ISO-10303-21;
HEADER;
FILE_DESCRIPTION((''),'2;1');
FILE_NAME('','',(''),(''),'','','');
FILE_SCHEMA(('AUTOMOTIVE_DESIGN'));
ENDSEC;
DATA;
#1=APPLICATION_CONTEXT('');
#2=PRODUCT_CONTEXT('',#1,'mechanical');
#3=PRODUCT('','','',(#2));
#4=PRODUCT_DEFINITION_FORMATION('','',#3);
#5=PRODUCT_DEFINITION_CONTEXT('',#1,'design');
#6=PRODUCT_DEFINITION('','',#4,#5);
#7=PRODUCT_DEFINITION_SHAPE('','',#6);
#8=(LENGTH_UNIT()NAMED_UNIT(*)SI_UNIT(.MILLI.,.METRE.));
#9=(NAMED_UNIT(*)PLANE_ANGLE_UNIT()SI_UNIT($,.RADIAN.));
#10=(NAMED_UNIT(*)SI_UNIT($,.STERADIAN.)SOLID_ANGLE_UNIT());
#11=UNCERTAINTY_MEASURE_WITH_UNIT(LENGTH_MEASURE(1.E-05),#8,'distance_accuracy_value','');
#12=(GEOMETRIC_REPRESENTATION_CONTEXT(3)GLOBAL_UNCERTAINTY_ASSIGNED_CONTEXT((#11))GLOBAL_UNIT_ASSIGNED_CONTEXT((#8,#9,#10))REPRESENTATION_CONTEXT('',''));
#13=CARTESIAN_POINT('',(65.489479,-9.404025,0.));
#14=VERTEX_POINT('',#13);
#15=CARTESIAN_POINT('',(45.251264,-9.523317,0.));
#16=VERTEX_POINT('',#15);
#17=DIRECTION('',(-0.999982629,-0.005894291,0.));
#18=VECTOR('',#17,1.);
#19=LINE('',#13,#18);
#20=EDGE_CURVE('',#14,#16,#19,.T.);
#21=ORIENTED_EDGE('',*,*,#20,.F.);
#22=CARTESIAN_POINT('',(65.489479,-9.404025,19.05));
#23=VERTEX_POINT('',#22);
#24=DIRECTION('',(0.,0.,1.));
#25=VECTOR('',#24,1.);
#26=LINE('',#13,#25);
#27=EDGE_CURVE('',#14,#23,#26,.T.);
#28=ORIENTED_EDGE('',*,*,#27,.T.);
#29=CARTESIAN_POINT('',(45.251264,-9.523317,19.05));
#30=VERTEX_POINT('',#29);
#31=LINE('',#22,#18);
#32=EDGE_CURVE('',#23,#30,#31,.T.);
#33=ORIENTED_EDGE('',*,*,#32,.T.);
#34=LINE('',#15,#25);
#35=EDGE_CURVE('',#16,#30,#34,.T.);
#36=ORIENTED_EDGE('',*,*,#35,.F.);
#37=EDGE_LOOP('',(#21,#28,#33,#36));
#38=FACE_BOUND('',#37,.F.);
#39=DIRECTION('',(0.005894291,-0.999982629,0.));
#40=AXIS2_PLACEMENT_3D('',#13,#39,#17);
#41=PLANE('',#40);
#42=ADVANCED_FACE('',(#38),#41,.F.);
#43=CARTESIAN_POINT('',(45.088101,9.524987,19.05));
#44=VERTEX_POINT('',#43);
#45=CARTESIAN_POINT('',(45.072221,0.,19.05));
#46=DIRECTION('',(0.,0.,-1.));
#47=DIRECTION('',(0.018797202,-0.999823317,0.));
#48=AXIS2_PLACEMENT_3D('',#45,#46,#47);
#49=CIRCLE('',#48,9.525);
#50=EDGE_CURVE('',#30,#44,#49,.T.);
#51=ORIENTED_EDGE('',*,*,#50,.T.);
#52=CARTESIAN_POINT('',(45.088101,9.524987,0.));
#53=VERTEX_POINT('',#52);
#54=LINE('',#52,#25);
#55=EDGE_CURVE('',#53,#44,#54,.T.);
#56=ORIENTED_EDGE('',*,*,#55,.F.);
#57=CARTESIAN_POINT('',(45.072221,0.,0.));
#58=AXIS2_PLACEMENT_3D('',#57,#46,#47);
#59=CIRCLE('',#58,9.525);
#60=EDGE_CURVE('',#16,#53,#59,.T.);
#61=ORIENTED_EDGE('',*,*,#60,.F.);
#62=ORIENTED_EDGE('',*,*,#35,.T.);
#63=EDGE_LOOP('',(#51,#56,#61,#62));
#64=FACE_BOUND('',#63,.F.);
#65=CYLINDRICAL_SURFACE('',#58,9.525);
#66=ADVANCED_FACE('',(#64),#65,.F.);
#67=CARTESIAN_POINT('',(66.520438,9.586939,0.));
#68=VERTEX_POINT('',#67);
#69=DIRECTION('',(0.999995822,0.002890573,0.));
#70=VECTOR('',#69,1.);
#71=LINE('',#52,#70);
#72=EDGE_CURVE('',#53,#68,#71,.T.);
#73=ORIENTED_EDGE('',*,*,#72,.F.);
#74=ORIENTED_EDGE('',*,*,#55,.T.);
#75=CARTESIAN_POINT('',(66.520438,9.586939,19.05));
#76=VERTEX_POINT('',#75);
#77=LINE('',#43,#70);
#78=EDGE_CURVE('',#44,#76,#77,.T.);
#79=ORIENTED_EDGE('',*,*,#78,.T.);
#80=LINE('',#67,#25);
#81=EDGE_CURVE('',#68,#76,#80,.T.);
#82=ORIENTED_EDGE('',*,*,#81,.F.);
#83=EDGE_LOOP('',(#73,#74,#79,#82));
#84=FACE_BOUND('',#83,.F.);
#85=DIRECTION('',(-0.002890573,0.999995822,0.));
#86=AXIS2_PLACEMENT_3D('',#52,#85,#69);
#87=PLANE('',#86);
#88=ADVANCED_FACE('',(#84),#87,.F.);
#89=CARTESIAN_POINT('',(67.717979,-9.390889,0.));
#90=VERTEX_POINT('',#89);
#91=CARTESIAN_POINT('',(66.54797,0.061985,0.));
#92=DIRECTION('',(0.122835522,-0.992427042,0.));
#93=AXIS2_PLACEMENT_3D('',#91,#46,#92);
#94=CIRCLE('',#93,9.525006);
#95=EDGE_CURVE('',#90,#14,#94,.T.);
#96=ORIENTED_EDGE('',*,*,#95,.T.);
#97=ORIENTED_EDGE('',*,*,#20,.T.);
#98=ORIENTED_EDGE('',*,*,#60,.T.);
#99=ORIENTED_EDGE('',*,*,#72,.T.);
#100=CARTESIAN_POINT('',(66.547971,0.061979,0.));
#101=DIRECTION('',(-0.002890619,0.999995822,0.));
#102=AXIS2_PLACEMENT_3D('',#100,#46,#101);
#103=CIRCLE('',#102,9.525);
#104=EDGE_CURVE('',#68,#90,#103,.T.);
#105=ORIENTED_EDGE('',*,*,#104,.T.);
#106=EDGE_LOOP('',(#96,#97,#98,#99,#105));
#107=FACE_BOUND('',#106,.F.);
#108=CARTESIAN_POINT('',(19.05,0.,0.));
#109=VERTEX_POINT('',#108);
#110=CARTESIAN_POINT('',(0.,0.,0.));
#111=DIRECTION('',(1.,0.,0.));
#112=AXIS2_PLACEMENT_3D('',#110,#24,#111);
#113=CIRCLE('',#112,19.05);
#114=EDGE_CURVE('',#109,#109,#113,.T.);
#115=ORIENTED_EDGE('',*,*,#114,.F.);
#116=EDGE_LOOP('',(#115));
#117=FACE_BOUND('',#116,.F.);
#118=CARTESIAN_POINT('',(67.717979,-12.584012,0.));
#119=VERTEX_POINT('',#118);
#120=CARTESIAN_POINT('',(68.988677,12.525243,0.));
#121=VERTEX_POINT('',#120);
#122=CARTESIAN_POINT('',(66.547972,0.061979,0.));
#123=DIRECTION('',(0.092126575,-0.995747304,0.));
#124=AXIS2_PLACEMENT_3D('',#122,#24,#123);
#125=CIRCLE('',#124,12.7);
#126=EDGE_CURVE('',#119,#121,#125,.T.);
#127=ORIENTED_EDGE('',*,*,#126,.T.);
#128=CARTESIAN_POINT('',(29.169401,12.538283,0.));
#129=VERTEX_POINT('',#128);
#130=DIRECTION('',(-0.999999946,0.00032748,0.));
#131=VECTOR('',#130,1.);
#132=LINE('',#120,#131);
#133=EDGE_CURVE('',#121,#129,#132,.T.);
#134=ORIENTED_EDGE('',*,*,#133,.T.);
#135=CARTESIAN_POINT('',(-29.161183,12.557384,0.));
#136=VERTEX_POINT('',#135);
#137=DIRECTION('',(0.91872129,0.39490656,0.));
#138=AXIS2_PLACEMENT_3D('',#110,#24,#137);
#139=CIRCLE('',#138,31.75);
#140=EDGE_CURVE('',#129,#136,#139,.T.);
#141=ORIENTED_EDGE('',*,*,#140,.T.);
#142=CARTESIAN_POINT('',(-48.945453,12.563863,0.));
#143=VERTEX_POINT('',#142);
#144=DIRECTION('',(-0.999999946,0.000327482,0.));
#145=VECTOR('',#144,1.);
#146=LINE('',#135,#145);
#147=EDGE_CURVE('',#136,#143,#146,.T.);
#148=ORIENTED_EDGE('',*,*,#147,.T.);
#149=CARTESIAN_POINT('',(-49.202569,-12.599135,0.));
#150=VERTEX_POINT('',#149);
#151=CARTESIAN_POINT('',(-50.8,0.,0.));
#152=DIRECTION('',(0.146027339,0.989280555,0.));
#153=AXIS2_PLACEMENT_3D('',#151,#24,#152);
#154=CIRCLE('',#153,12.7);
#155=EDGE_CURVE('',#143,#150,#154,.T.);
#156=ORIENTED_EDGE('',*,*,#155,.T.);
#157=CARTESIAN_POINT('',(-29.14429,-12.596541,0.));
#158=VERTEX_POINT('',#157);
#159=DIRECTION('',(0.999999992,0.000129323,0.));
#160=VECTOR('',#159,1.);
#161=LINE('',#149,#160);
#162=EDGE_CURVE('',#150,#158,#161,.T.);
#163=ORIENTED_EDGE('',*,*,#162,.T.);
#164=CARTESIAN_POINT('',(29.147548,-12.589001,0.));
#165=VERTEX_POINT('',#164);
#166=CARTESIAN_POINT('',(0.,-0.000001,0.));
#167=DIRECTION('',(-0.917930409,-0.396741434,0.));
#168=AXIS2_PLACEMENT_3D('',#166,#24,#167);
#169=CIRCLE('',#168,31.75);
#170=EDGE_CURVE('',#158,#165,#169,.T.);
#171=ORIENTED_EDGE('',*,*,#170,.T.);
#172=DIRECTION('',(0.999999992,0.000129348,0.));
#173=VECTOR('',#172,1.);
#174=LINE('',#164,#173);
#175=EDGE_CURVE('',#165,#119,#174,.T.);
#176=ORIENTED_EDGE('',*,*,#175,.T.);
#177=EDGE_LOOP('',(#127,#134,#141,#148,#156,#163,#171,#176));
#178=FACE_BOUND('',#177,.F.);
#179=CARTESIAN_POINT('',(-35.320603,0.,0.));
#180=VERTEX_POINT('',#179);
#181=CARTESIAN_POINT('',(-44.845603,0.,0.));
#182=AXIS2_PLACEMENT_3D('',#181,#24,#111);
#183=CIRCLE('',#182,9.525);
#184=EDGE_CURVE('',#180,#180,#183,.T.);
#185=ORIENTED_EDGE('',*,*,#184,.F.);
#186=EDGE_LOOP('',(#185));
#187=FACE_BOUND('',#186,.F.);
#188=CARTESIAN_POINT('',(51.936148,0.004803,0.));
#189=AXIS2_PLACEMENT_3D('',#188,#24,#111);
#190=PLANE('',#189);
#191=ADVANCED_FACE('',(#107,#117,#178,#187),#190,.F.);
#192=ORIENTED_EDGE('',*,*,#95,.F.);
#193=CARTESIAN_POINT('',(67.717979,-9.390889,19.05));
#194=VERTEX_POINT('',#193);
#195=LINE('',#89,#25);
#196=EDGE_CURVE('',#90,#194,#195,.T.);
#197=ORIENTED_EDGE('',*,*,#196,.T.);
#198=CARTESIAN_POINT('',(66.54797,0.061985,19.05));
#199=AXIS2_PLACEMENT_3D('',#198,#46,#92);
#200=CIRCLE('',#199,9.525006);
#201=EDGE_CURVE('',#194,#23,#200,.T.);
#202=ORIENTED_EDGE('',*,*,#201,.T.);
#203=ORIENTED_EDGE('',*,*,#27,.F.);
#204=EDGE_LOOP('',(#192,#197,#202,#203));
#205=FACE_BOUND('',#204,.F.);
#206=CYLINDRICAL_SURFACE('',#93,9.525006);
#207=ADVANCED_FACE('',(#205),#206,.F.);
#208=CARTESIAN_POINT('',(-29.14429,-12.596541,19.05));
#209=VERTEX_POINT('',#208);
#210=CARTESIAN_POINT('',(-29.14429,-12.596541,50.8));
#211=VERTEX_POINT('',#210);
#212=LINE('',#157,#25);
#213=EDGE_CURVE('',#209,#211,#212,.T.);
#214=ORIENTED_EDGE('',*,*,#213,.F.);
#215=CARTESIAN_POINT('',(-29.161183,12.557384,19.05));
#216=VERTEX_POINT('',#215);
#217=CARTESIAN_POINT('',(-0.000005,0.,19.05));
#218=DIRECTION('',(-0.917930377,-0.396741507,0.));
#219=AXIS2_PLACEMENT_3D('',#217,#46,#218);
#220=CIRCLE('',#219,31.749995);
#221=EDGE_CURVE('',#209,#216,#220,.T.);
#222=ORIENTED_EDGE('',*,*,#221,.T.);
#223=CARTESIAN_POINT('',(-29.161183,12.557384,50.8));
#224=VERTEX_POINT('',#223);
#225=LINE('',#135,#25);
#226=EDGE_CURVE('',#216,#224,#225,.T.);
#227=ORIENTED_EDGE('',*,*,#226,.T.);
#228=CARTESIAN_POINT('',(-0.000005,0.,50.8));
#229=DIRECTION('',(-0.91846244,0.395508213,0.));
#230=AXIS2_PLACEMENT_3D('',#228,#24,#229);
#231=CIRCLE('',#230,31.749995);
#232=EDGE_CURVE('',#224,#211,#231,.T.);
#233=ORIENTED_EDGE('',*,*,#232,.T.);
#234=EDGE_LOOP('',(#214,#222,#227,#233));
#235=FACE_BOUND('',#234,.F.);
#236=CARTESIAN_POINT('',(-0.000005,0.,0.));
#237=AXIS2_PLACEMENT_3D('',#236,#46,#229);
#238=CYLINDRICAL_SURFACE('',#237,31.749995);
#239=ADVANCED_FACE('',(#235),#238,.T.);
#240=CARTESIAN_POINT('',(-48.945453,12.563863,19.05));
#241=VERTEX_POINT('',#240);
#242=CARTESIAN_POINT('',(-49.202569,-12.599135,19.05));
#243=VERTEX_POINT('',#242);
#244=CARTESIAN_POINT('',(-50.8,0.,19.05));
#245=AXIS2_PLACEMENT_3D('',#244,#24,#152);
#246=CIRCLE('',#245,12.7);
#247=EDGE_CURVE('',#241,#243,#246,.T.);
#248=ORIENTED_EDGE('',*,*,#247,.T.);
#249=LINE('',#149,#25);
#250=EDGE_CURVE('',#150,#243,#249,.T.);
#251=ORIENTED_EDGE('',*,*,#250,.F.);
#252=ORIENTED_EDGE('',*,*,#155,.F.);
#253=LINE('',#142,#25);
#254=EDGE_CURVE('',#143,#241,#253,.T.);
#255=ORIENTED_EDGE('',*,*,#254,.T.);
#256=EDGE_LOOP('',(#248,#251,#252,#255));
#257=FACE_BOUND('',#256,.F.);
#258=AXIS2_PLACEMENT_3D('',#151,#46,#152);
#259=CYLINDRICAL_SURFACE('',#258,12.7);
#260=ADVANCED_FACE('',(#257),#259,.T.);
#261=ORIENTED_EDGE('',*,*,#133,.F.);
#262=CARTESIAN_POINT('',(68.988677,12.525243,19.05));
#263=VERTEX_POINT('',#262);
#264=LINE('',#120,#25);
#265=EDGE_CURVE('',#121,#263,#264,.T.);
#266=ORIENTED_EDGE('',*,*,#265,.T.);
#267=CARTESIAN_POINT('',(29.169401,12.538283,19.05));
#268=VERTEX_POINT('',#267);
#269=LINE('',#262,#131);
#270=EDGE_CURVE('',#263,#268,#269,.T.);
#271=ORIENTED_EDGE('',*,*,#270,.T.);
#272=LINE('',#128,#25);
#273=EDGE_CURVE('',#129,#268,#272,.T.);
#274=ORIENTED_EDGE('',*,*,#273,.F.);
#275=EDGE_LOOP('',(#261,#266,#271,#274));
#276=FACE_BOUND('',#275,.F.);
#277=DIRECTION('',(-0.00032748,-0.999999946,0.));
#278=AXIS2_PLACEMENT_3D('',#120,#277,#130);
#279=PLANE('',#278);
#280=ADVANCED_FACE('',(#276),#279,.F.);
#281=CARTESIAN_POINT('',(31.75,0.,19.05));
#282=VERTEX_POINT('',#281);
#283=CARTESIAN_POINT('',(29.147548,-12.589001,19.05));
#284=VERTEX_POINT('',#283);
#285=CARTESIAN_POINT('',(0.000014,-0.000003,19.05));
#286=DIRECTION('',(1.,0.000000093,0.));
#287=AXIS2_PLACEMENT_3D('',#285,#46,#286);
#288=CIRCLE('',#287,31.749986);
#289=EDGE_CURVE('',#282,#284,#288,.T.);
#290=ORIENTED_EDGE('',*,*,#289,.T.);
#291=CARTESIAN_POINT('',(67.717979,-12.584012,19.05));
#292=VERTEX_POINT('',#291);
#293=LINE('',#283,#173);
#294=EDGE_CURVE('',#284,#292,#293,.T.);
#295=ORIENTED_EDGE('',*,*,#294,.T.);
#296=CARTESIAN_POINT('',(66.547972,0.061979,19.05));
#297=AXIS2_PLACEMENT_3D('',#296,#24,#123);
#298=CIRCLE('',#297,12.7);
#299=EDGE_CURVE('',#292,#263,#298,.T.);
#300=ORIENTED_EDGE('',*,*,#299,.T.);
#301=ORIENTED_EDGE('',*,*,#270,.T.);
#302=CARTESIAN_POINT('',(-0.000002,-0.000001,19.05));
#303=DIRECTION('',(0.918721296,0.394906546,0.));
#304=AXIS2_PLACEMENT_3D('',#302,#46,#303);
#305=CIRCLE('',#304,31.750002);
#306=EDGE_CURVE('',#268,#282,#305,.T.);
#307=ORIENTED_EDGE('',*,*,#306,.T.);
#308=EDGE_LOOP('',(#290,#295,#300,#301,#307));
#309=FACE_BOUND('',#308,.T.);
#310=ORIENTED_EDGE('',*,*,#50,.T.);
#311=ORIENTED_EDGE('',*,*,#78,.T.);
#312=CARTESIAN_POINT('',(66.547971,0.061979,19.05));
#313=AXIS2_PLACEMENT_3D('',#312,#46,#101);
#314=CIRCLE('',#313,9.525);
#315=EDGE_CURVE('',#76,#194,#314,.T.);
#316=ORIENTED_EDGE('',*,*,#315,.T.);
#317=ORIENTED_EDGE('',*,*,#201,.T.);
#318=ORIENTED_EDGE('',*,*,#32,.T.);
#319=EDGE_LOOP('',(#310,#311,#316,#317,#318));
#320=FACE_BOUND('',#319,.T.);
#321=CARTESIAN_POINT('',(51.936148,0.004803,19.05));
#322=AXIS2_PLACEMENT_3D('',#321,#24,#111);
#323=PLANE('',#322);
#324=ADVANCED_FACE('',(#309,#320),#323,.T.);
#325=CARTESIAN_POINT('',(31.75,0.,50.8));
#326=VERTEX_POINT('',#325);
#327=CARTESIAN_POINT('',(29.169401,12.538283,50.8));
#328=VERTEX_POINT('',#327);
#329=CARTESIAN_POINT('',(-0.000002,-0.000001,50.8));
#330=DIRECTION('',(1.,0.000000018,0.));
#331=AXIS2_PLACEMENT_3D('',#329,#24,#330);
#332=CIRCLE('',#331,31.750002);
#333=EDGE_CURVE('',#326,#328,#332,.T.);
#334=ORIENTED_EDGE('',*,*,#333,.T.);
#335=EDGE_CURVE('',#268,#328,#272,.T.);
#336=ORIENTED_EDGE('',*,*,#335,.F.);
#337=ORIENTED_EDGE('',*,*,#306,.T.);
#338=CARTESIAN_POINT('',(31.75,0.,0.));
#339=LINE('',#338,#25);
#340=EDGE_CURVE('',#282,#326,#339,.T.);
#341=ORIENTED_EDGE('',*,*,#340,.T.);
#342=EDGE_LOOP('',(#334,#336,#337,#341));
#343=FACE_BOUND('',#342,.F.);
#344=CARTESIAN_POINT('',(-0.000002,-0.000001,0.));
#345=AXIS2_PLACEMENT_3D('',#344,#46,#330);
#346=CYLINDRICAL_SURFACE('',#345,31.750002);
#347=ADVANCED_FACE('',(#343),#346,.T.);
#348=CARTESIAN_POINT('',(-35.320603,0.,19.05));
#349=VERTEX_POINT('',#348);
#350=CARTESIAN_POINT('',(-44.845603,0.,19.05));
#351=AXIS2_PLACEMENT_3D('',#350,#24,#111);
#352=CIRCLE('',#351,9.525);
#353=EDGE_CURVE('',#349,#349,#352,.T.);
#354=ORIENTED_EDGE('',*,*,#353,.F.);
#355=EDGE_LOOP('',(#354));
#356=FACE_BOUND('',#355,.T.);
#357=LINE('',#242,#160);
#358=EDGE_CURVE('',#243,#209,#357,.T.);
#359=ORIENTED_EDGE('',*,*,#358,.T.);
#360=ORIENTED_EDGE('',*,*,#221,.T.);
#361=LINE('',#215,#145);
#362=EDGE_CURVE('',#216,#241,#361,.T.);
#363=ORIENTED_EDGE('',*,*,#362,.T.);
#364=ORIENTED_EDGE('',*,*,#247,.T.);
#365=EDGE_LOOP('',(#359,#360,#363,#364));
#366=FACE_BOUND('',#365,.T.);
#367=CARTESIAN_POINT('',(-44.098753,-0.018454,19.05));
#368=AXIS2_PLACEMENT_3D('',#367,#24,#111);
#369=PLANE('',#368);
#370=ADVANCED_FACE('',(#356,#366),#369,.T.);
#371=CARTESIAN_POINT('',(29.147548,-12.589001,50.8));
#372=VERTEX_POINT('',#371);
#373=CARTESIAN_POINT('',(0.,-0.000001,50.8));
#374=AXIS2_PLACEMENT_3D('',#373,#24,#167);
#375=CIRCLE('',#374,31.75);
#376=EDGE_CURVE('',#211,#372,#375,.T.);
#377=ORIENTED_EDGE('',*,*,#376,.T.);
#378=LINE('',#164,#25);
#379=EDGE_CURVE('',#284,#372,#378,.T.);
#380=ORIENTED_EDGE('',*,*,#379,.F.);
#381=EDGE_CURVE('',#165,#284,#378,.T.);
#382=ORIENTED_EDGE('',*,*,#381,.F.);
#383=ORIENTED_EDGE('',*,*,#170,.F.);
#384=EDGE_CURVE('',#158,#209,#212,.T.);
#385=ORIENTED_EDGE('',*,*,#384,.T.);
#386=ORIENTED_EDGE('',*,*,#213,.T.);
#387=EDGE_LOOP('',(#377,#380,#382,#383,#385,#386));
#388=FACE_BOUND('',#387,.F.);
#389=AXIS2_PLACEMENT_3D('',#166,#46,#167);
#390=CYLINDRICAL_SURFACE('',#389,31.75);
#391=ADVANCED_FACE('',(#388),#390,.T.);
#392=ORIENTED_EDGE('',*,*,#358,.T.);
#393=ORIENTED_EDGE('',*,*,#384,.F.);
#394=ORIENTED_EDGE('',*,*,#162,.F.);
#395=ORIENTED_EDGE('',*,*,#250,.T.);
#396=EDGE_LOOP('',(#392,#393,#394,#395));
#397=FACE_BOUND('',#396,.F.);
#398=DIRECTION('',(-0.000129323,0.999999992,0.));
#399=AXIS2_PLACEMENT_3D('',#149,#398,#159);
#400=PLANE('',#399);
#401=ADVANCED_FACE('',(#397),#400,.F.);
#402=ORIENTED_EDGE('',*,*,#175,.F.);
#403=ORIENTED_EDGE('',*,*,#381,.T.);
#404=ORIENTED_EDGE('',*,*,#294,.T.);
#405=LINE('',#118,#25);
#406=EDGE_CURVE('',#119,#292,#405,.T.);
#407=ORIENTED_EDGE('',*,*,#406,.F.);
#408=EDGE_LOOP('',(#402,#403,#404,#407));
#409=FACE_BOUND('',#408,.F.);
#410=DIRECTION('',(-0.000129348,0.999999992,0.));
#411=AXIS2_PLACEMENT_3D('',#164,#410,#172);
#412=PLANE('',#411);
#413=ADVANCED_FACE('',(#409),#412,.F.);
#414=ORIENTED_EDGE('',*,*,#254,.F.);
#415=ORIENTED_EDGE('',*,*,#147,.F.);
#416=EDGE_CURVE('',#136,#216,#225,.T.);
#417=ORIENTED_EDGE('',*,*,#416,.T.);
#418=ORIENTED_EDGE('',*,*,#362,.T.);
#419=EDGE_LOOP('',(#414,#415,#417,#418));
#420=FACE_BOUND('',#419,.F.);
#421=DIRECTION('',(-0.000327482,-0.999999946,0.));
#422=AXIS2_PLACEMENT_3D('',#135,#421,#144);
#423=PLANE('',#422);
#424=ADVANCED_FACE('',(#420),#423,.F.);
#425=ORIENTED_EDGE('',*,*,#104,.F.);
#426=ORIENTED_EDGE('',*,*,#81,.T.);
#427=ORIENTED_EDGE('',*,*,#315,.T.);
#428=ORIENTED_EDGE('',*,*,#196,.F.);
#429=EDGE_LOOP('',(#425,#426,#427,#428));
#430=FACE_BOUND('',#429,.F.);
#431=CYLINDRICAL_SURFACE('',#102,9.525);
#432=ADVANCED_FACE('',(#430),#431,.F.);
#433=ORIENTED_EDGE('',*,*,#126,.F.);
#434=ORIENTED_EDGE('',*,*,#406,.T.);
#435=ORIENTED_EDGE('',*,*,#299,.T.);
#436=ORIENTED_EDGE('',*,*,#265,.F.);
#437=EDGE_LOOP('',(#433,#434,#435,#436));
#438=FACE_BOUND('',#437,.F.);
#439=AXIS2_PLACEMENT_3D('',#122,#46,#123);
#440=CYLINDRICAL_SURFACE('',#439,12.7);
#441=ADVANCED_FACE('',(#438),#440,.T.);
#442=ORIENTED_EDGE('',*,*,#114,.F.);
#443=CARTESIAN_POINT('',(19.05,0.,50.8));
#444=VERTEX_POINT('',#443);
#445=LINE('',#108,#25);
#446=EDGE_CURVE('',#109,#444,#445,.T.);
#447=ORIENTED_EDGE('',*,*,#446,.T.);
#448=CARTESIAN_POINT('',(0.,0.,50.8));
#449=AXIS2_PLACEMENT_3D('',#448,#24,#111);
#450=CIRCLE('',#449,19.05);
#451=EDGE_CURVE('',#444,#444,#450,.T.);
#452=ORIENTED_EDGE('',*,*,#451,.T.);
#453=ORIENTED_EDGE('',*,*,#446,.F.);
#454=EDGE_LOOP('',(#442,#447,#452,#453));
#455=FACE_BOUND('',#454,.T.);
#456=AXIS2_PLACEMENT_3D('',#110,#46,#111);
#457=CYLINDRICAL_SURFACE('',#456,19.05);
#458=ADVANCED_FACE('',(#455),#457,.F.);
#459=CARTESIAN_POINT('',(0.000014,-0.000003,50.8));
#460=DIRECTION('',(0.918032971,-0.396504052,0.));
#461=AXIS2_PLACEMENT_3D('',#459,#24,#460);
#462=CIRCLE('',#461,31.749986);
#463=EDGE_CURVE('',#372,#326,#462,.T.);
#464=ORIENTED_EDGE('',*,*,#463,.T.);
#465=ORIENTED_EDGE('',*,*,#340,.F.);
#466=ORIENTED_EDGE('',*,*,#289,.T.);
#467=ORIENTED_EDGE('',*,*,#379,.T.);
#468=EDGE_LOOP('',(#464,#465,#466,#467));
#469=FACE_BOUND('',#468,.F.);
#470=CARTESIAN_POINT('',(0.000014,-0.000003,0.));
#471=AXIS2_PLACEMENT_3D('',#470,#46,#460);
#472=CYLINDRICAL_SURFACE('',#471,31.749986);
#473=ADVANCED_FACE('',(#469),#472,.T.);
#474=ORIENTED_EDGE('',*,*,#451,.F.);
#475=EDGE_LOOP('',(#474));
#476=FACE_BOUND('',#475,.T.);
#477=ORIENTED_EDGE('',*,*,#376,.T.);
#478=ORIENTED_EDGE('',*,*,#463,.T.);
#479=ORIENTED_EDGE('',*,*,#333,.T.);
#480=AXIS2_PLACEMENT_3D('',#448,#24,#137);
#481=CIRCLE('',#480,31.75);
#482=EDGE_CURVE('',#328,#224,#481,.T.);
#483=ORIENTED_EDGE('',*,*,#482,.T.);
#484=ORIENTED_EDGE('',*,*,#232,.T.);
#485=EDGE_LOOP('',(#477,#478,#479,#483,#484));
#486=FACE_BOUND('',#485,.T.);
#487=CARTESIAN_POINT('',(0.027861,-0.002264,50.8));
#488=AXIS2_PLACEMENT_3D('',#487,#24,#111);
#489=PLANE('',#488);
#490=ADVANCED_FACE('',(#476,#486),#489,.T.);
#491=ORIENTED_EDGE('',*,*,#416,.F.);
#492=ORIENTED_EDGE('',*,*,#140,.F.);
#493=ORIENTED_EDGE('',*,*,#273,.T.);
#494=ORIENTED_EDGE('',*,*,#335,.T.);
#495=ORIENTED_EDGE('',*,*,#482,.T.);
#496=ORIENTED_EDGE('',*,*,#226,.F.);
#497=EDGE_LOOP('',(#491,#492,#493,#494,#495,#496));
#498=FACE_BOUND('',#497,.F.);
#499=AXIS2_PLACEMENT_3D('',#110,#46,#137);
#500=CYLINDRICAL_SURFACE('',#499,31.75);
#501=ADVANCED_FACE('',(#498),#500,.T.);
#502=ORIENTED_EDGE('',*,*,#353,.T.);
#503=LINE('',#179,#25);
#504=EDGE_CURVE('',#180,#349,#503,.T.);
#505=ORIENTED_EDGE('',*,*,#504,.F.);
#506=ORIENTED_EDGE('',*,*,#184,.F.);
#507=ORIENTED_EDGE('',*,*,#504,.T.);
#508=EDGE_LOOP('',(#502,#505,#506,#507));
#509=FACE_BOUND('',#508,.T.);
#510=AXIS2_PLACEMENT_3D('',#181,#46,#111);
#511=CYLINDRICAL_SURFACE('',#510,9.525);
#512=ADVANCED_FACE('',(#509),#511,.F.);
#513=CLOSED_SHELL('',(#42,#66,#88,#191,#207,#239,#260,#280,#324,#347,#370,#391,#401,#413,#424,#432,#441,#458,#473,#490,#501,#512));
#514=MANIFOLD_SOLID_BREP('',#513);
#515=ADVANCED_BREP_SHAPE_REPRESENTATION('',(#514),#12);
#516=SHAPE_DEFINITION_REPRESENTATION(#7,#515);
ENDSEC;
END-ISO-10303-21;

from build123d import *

# Parameters (mm, degrees)
F0_R     = 19.05
F1_DEPTH = 50.8
F0_R_2   = 9.525
F2_DEPTH = 19.05
F3_DEPTH = 19.05


with BuildPart() as f1:
    # F0 (on Top) → F1 (new body)
    with BuildSketch(Plane.XY):
        with BuildLine():
            ThreePointArc((29.147548, -12.589001), (31.092581, -6.427591), (31.75, 0))
            ThreePointArc((31.75, 0), (31.098159, 6.400547), (29.169401, 12.538283))
            ThreePointArc((29.169401, 12.538283), (0.010397, 31.749998), (-29.161183, 12.557384))
            ThreePointArc((-29.161183, 12.557384), (-31.749993, -0.021323), (-29.14429, -12.596541))
            ThreePointArc((-29.14429, -12.596541), (0.004107, -31.75), (29.147548, -12.589001))
        make_face()
        Circle(F0_R, mode=Mode.SUBTRACT)
    extrude(amount=F1_DEPTH)

    # F0 (on Top) → F2 (join)
    with BuildSketch(Plane.XY):
        with BuildLine():
            ThreePointArc((-29.14429, -12.596541), (-31.749993, -0.021323), (-29.161183, 12.557384))
            Line((-29.161183, 12.557384), (-48.945453, 12.563863))
            ThreePointArc((-48.945453, 12.563863), (-63.499337, 0.129762), (-49.202569, -12.599135))
            Line((-49.202569, -12.599135), (-29.14429, -12.596541))
        make_face()
        with Locations((-44.845603, 0)):
            Circle(F0_R_2, mode=Mode.SUBTRACT)
    extrude(amount=F2_DEPTH)

    # F0 (on Top) → F3 (join)
    with BuildSketch(Plane.XY):
        with BuildLine():
            ThreePointArc((29.169401, 12.538283), (31.098159, 6.400547), (31.75, 0))
            ThreePointArc((31.75, 0), (31.092581, -6.427591), (29.147548, -12.589001))
            Line((29.147548, -12.589001), (67.717979, -12.584012))
            ThreePointArc((67.717979, -12.584012), (79.23174, -0.579906), (68.988677, 12.525243))
            Line((68.988677, 12.525243), (29.169401, 12.538283))
        make_face()
        with BuildLine():
            ThreePointArc((67.717979, -9.390889), (66.604114, -9.462856), (65.489479, -9.404025))
            Line((65.489479, -9.404025), (45.251264, -9.523317))
            ThreePointArc((45.251264, -9.523317), (35.54757, -0.081586), (45.088101, 9.524987))
            Line((45.088101, 9.524987), (66.520438, 9.586939))
            ThreePointArc((66.520438, 9.586939), (76.054064, 0.661833), (67.717979, -9.390889))
        make_face(mode=Mode.SUBTRACT)
    extrude(amount=F3_DEPTH)


solid = f1.part
